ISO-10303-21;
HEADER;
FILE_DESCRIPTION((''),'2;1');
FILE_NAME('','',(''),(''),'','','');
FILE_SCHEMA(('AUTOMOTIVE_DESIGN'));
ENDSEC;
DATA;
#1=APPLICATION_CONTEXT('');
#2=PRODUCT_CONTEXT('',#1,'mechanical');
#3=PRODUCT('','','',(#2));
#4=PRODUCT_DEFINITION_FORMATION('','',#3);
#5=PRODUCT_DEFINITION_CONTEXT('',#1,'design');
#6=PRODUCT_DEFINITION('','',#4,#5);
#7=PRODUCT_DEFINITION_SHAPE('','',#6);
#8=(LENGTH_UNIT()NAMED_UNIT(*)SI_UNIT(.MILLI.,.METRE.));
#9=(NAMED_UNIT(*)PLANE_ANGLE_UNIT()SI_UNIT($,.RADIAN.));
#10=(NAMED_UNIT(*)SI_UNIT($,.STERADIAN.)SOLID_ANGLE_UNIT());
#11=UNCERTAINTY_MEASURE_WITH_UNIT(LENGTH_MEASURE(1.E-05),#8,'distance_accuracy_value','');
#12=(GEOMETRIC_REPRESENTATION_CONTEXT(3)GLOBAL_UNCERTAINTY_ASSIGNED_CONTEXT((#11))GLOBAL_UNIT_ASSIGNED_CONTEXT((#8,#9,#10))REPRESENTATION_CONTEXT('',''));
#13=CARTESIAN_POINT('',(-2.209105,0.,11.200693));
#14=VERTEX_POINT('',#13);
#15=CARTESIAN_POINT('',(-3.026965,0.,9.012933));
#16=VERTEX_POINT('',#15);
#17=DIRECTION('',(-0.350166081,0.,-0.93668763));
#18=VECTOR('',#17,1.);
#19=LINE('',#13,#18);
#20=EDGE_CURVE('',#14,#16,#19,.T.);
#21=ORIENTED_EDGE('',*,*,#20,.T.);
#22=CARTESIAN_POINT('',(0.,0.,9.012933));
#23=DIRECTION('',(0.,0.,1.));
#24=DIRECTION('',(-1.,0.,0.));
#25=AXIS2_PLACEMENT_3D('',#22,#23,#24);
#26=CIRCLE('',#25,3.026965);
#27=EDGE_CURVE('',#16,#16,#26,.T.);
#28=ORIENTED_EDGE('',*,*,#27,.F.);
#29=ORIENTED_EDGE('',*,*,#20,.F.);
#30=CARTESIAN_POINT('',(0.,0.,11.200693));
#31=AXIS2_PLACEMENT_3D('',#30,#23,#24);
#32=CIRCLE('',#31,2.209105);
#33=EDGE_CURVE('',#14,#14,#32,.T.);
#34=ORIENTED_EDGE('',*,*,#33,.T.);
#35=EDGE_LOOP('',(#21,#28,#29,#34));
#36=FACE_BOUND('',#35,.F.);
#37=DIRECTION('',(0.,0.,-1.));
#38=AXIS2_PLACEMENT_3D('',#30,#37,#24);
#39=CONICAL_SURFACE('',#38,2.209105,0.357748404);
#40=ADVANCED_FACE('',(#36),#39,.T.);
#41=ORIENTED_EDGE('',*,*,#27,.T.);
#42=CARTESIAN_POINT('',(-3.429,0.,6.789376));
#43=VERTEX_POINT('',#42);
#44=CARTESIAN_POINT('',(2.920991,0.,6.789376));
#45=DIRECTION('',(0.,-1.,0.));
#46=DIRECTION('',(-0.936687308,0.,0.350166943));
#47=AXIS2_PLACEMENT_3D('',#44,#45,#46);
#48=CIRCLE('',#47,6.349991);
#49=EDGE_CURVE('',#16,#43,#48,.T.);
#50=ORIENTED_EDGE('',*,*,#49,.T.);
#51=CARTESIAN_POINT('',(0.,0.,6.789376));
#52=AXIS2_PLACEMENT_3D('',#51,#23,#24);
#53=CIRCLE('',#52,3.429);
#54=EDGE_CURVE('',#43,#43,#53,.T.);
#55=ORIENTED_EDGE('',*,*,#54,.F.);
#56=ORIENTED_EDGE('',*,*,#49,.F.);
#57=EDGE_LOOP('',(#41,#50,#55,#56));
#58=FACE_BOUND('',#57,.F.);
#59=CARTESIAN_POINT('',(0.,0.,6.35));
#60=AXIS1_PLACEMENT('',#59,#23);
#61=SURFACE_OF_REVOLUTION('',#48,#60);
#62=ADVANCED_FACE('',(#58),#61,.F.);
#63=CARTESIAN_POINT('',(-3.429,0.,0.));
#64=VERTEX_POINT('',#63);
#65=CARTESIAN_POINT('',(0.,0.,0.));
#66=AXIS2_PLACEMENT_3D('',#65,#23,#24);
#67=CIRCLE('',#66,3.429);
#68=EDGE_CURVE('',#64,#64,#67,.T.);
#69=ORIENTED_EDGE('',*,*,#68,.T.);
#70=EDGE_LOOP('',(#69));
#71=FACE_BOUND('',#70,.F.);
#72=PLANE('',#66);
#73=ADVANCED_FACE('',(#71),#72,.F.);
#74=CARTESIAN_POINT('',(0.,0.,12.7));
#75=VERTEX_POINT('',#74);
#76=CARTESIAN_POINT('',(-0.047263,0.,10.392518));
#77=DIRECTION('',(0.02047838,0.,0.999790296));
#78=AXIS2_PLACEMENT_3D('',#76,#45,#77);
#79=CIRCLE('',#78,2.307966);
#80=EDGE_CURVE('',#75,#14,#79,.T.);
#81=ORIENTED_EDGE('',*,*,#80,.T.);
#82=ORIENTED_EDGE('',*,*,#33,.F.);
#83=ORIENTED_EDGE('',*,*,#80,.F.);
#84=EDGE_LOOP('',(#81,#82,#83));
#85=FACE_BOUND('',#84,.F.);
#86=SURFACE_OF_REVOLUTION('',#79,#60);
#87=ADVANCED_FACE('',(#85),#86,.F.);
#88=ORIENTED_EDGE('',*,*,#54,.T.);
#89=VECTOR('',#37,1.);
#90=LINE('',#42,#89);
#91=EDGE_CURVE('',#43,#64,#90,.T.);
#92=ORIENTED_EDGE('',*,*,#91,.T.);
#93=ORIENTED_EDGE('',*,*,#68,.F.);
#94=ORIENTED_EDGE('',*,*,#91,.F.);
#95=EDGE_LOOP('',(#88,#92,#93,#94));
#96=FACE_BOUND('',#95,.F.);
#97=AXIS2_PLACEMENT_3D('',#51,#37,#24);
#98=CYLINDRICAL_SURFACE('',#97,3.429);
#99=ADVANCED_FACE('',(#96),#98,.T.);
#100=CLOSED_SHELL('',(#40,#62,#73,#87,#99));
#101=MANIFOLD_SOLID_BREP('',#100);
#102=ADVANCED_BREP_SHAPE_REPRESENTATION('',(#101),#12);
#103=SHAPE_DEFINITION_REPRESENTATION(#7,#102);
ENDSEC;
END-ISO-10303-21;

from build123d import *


with BuildPart() as f1:
    # F0 (on Front) → F1 (revolve)
    with BuildSketch(Plane.XZ):
        with BuildLine():
            Line((-3.429, 0), (0, 0))
            Line((0, 0), (0, 12.7))
            ThreePointArc((0, 12.7), (-1.34335, 12.302195), (-2.209105, 11.200693))
            Line((-2.209105, 11.200693), (-3.026965, 9.012933))
            ThreePointArc((-3.026965, 9.012933), (-3.327683, 7.919181), (-3.429, 6.789376))
            Line((-3.429, 6.789376), (-3.429, 0))
        make_face()
    revolve(axis=Axis((0, 0, 6.35), (0, 0, 1)))


solid = f1.part
